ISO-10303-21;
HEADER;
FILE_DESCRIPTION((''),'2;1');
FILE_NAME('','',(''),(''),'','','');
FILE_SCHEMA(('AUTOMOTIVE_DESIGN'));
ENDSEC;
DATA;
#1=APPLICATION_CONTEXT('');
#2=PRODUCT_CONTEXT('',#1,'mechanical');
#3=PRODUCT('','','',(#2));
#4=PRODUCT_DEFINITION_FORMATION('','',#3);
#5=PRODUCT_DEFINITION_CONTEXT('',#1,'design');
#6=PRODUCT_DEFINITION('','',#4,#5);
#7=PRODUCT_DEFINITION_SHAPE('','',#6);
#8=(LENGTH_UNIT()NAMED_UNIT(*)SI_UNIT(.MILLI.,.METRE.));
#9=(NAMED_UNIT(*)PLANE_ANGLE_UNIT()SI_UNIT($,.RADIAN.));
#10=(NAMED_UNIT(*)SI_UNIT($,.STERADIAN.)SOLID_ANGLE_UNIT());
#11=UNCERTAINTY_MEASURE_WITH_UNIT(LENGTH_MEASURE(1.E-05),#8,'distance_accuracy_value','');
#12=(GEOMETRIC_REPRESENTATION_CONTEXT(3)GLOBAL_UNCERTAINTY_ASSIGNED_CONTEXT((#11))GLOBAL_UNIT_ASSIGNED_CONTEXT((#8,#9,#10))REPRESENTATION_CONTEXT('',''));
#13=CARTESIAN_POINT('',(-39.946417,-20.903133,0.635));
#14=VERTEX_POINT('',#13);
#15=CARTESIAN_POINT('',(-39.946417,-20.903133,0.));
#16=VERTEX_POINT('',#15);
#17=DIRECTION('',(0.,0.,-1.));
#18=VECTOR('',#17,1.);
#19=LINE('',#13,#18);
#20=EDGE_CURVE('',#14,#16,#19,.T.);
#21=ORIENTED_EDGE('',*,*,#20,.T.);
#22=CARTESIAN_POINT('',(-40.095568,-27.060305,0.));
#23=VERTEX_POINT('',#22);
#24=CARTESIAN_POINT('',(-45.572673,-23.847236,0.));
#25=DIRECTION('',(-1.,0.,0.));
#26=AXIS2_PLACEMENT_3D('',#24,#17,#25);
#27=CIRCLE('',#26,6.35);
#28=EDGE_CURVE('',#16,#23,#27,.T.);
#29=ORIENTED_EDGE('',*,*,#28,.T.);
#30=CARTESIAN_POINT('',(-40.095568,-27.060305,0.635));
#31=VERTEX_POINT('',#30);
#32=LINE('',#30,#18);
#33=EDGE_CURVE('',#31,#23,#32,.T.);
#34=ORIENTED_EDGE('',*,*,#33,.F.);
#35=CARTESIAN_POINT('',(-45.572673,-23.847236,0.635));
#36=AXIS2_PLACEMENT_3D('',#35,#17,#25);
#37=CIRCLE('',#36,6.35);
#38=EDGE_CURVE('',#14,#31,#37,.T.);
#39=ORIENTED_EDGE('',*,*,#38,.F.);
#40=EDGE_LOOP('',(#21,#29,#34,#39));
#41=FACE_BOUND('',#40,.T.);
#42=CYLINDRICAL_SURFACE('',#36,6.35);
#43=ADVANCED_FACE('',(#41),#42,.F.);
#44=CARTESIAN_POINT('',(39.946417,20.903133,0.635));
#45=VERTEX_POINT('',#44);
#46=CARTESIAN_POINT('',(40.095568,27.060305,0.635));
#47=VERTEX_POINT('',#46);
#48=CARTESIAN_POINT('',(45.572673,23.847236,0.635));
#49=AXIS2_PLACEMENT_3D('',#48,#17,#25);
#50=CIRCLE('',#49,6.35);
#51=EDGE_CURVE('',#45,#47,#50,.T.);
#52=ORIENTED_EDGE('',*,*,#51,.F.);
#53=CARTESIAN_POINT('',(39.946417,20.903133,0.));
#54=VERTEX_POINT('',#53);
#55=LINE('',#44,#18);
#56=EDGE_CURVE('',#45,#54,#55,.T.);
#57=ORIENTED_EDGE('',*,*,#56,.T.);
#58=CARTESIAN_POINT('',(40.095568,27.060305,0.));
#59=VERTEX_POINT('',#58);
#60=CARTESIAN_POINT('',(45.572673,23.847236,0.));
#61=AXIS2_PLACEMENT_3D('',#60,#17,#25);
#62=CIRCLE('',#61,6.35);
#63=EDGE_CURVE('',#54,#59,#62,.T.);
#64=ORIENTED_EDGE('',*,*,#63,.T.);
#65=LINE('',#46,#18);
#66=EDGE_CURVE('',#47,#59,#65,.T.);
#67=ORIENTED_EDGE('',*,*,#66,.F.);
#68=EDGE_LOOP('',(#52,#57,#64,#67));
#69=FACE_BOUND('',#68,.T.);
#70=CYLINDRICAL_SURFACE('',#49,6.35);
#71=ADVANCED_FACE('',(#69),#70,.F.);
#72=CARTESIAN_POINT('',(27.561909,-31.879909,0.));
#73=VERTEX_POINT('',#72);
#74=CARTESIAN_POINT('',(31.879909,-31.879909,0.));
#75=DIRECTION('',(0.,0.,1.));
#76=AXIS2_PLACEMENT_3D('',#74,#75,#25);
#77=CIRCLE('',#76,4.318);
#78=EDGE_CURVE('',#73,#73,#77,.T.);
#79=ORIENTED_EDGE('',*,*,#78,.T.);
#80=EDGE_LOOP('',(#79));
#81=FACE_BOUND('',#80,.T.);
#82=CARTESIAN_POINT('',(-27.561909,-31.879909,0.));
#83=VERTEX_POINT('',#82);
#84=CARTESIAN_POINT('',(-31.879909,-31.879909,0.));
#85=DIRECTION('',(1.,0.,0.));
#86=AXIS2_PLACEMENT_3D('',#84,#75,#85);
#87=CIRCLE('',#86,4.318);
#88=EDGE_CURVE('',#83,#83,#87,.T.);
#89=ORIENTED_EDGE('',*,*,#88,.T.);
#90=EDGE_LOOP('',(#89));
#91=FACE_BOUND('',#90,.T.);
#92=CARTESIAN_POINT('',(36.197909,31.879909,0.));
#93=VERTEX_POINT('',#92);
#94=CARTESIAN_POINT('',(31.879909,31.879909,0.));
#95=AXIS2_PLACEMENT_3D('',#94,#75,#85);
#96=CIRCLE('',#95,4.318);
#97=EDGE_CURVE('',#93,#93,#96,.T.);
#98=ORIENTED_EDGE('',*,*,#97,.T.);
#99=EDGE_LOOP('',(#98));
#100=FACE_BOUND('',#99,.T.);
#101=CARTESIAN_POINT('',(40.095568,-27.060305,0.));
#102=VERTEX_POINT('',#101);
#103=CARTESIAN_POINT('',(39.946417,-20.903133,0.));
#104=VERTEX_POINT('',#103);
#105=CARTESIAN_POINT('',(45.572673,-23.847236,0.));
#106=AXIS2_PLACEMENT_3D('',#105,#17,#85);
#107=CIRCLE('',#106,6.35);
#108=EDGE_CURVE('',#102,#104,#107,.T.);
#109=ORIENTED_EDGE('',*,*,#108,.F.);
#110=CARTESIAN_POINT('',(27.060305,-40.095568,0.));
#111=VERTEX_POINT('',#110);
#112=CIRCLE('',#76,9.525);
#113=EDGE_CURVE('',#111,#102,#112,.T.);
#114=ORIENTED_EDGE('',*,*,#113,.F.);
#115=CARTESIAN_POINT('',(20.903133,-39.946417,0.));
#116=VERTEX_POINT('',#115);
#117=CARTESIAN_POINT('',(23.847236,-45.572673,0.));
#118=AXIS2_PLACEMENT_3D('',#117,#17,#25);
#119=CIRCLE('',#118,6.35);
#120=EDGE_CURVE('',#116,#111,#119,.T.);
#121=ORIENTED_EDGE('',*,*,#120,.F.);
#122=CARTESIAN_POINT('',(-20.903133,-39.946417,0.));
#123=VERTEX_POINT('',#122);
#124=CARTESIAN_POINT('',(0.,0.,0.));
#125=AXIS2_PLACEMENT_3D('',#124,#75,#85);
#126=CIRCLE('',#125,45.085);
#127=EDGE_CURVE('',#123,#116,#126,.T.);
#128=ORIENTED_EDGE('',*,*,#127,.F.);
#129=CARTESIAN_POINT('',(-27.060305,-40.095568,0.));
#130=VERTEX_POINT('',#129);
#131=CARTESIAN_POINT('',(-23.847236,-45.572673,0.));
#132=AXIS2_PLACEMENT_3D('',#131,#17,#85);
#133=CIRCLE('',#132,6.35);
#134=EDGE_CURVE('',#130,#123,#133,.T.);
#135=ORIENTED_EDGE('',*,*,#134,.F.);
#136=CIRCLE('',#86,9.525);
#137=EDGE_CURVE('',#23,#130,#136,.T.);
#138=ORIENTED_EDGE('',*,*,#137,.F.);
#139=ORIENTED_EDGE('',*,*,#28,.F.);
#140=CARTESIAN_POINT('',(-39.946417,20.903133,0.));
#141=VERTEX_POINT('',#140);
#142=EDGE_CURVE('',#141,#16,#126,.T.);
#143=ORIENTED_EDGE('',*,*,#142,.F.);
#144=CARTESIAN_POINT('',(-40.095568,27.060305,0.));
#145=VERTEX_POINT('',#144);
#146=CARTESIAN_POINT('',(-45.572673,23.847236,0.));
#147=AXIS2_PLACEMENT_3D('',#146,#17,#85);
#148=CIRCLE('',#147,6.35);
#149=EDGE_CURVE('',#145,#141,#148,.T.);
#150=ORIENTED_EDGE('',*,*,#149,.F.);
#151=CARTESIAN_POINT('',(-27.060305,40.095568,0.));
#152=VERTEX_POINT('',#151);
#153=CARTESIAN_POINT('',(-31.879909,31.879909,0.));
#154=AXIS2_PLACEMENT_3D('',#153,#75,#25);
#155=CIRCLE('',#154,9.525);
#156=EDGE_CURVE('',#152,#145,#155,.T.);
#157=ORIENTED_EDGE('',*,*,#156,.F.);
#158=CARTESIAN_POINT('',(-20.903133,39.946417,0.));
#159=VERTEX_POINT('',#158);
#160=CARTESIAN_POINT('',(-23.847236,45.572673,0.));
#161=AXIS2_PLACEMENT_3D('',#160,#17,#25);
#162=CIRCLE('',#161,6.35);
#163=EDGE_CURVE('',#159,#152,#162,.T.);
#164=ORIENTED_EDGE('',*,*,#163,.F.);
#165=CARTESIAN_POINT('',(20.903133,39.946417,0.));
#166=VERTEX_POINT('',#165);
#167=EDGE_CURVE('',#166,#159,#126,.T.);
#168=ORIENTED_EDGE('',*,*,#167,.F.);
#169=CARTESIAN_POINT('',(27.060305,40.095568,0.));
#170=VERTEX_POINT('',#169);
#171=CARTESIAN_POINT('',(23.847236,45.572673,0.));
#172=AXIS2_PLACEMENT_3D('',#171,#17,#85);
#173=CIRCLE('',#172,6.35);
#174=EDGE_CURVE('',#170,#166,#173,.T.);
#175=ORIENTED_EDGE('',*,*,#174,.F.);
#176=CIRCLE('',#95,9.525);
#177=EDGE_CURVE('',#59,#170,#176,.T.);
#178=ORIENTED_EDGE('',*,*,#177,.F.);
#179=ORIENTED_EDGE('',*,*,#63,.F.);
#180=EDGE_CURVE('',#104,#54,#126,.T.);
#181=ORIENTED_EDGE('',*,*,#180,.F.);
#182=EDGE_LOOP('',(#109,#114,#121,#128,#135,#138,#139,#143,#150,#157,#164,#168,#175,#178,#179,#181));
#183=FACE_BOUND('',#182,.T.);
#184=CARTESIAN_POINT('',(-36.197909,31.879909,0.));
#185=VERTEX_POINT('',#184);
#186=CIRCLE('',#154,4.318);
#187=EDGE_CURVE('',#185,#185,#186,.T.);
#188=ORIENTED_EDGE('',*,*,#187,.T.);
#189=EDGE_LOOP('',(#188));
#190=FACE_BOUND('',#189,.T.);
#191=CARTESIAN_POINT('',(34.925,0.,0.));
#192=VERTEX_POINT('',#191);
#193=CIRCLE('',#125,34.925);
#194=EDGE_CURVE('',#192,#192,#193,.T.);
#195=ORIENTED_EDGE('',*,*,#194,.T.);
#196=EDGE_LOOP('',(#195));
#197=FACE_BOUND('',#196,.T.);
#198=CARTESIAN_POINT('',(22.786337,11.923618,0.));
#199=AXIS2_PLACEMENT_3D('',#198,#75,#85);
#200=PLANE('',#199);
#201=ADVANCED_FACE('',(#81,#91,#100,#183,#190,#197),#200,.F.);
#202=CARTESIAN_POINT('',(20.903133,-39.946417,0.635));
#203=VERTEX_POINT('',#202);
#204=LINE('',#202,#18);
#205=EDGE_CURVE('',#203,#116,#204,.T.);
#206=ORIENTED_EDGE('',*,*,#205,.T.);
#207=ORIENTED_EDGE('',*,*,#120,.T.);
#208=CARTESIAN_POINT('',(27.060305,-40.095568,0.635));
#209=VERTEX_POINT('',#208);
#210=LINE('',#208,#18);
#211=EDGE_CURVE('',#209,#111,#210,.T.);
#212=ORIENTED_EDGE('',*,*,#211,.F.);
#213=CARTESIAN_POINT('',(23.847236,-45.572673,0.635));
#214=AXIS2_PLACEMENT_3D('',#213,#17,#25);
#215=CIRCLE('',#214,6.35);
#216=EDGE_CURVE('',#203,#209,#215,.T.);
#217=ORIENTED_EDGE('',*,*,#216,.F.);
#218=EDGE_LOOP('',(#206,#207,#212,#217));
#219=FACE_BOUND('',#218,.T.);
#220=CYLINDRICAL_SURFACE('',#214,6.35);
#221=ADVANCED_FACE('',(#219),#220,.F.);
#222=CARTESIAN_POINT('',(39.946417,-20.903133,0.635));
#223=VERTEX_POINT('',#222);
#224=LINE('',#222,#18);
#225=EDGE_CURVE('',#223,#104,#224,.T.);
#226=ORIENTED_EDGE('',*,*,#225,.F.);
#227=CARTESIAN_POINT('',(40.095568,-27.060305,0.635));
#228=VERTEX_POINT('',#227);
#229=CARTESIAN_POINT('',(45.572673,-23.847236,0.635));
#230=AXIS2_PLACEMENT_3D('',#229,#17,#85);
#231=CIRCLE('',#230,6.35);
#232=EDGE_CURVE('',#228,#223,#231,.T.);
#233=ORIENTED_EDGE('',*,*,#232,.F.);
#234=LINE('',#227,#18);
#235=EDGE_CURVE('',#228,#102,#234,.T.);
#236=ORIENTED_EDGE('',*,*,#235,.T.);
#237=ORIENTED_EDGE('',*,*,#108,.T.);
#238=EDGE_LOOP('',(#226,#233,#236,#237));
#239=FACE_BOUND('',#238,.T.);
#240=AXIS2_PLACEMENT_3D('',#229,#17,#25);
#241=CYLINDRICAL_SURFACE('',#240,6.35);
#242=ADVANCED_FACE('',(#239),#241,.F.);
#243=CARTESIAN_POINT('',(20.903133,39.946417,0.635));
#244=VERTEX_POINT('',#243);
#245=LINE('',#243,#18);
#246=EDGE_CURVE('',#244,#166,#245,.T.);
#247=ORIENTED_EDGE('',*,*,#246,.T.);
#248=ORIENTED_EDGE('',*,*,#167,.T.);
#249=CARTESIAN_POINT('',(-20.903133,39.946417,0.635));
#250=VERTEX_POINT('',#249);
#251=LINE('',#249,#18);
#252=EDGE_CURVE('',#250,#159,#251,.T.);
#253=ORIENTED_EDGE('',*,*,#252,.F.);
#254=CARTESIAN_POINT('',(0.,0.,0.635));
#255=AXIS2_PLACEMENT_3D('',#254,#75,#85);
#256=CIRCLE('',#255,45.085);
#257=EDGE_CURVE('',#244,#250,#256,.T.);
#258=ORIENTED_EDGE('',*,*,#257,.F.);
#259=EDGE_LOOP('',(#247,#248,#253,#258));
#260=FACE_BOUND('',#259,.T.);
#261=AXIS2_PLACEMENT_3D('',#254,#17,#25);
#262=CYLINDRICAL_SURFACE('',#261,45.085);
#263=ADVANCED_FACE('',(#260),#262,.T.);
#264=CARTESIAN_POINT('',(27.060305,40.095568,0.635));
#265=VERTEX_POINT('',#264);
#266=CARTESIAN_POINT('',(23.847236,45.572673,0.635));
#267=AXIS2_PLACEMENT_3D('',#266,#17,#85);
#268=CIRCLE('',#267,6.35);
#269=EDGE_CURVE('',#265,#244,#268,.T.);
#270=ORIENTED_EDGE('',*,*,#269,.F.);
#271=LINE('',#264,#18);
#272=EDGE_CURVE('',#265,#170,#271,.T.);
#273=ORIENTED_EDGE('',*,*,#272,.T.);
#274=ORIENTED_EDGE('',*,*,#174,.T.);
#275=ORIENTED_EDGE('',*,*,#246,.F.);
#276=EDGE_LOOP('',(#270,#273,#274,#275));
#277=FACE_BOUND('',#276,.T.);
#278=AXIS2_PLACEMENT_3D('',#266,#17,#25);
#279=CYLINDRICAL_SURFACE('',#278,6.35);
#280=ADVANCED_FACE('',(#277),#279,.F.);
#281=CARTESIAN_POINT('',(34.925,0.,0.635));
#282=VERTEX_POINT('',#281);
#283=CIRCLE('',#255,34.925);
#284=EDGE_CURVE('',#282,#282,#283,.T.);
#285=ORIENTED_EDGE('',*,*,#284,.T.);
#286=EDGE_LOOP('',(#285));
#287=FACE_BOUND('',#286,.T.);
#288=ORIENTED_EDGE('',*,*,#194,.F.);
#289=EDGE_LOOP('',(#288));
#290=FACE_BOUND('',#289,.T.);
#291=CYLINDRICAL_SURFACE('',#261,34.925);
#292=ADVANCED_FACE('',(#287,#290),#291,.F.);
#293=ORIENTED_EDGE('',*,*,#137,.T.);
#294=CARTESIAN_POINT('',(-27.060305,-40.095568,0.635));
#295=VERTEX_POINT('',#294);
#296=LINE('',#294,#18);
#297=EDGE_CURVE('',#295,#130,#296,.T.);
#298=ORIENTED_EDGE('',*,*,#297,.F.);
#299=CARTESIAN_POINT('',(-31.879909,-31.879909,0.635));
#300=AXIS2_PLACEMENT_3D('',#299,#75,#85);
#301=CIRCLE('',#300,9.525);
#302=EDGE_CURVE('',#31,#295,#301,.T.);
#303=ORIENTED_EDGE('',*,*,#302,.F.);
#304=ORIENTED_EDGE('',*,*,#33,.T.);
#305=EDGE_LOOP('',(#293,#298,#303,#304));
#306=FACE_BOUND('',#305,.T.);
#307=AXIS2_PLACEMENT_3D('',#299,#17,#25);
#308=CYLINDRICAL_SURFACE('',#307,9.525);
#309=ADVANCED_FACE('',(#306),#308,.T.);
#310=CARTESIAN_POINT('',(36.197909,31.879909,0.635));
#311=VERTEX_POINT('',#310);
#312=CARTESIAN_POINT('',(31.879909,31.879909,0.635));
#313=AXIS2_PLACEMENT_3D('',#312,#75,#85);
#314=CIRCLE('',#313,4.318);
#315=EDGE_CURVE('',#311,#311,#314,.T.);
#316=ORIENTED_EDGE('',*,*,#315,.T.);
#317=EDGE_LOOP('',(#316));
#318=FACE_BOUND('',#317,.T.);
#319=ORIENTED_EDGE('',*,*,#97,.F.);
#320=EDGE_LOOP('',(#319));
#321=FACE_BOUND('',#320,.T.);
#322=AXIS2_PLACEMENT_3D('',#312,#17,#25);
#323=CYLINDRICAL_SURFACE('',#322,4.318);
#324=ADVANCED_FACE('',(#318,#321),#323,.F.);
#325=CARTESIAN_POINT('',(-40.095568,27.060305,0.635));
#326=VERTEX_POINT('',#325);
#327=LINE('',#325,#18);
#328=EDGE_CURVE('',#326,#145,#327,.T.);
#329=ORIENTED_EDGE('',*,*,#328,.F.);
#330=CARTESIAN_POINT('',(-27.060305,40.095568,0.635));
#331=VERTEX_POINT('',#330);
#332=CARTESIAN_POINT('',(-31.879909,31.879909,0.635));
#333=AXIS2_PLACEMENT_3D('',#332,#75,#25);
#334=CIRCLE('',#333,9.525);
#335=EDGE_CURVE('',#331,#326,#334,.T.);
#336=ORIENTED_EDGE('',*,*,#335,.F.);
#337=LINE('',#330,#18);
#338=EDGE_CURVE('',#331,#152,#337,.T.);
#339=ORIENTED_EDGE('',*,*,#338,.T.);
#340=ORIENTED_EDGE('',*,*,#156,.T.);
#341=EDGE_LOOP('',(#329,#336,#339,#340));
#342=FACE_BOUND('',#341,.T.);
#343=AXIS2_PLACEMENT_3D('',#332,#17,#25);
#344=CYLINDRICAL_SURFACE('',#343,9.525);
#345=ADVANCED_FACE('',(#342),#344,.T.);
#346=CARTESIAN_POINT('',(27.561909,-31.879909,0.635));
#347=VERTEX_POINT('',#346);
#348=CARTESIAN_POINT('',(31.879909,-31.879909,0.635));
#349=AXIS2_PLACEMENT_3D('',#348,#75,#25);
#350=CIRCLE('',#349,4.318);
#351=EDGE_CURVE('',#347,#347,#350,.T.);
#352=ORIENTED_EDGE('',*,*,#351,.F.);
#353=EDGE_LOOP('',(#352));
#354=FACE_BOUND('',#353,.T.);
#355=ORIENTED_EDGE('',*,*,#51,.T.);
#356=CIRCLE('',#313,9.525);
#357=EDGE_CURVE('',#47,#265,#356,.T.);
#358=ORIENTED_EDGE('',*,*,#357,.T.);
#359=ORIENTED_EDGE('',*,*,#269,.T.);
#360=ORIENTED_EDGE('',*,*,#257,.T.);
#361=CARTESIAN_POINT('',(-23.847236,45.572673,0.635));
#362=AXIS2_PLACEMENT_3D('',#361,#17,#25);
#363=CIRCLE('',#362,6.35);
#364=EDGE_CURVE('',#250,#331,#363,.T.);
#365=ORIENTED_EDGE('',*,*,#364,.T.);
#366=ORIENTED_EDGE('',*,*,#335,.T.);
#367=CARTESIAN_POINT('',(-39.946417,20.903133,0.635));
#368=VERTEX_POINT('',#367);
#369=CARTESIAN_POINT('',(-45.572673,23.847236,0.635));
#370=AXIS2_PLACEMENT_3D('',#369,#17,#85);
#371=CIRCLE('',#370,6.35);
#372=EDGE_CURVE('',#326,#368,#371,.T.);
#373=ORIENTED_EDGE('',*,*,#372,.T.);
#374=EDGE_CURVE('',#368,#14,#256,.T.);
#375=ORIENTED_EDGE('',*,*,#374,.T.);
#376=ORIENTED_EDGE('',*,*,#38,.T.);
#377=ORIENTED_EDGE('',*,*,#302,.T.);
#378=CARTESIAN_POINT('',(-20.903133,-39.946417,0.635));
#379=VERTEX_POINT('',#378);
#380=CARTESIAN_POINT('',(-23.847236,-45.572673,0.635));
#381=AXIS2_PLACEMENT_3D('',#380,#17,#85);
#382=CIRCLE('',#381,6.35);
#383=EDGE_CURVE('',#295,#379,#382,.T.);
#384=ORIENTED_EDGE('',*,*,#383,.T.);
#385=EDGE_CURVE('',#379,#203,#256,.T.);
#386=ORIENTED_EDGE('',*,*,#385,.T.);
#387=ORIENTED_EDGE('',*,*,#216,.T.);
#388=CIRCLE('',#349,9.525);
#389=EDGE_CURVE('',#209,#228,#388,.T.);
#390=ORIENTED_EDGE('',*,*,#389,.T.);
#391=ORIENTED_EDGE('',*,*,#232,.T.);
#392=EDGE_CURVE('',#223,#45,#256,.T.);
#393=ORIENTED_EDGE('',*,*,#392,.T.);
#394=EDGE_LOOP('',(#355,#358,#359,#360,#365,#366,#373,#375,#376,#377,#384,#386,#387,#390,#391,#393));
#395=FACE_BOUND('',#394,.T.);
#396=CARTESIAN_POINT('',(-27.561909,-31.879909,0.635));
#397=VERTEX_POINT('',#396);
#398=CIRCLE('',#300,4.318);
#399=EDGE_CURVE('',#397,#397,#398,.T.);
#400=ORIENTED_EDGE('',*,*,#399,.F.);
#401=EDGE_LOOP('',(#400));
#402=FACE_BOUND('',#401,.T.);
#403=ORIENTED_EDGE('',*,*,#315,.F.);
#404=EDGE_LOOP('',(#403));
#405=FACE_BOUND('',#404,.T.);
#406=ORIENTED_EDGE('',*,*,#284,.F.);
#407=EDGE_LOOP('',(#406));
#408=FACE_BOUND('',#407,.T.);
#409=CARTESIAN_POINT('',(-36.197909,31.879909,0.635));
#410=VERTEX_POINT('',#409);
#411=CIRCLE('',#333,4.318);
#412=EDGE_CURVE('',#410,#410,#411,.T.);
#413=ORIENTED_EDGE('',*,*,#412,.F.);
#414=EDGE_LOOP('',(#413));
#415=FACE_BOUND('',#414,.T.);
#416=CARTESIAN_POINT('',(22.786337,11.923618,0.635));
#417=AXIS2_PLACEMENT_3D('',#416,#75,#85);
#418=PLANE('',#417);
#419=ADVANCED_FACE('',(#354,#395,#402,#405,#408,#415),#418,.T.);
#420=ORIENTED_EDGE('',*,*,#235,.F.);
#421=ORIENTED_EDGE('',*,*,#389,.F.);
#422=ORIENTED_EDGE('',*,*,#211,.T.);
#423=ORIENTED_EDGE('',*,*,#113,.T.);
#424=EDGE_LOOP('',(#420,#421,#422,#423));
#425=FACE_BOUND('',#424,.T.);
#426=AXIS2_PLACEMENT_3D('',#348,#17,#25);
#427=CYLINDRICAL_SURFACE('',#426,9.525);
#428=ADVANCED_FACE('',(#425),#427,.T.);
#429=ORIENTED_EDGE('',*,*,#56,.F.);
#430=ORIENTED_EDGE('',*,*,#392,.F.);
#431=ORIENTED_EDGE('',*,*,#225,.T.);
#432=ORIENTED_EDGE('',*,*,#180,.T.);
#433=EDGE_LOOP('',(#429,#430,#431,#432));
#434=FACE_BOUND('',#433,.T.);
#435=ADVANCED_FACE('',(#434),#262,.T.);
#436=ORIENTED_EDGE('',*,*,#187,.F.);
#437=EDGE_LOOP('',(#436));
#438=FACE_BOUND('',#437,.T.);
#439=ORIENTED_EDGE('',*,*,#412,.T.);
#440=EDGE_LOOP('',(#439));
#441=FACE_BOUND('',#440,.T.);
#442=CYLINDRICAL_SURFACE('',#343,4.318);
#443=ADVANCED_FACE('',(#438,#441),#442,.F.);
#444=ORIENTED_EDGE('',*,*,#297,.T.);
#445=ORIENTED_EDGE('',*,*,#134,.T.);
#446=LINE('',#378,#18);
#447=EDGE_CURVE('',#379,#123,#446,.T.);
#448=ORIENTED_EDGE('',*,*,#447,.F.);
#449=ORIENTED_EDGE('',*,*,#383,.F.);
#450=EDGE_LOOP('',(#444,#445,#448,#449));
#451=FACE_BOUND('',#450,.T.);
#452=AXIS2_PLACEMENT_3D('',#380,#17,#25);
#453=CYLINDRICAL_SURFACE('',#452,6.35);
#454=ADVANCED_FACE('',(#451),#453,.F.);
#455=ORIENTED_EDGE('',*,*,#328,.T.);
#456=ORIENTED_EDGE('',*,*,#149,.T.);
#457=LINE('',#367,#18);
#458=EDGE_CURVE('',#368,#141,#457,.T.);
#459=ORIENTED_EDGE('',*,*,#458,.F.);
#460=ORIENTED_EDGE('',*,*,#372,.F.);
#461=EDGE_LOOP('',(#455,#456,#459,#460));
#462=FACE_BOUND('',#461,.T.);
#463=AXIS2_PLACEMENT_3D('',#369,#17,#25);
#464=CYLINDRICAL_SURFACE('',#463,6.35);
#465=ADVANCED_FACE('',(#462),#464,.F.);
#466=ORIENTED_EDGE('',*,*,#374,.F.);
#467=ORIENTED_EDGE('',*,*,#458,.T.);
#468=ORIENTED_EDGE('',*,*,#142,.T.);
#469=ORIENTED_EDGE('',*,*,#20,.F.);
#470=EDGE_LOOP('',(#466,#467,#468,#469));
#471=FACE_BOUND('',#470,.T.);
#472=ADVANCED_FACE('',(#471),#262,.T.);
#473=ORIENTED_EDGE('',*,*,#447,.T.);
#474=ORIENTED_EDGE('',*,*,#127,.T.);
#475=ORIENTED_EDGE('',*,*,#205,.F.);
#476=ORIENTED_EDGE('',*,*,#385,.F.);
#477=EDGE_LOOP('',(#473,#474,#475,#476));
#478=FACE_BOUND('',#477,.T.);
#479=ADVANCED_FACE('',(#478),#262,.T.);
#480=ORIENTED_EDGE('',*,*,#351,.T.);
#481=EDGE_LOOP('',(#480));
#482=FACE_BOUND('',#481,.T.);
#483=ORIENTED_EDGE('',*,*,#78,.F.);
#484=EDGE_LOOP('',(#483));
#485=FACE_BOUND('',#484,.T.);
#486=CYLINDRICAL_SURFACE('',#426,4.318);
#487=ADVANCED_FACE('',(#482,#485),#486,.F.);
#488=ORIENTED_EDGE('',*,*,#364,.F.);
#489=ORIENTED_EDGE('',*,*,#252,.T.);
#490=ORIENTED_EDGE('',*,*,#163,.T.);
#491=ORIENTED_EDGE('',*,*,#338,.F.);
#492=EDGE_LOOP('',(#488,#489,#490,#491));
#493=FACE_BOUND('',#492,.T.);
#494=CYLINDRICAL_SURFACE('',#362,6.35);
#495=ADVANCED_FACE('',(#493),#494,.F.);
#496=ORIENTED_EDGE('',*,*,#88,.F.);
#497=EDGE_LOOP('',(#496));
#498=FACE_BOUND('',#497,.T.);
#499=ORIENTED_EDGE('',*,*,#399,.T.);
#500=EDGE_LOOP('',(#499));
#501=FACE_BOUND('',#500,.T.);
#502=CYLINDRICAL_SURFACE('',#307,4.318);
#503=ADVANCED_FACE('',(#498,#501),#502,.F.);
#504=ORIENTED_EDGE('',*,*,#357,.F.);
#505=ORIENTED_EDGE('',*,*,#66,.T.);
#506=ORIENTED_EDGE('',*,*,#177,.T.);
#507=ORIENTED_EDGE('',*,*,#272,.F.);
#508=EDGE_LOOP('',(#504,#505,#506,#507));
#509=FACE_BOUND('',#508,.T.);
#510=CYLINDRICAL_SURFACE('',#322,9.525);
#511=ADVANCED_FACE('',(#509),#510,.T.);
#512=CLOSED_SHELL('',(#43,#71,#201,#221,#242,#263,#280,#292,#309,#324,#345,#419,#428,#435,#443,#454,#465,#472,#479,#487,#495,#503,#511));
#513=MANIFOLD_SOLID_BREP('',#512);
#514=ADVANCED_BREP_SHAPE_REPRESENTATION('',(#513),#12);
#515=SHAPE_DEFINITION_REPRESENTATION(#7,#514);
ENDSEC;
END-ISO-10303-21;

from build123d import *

# Parameters (mm, degrees)
SKETCH1_R           = 34.925
SKETCH1_R_2         = 4.318
BOSS_EXTRUDE1_DEPTH = 0.635


with BuildPart() as part:
    # Sketch1 → Boss-Extrude1 (new body)
    with BuildSketch(Plane.XY):
        with BuildLine():
            ThreePointArc((20.903132924, 39.946417348), (0, 45.085), (-20.903132924, 39.946417348))
            ThreePointArc((-20.903132924, 39.946417348), (-24.001012396, 39.224535565), (-27.060305383, 40.09556768))
            ThreePointArc((-27.060305383, 40.09556768), (-38.615101321, 38.615101321), (-40.09556768, 27.060305383))
            ThreePointArc((-40.09556768, 27.060305383), (-39.224535565, 24.001012396), (-39.946417348, 20.903132924))
            ThreePointArc((-39.946417348, 20.903132924), (-45.085, 0), (-39.946417348, -20.903132924))
            ThreePointArc((-39.946417348, -20.903132924), (-39.224535565, -24.001012396), (-40.09556768, -27.060305383))
            ThreePointArc((-40.09556768, -27.060305383), (-38.615101321, -38.615101321), (-27.060305383, -40.09556768))
            ThreePointArc((-27.060305383, -40.09556768), (-24.001012396, -39.224535565), (-20.903132924, -39.946417348))
            ThreePointArc((-20.903132924, -39.946417348), (0, -45.085), (20.903132924, -39.946417348))
            ThreePointArc((20.903132924, -39.946417348), (24.001012396, -39.224535565), (27.060305383, -40.09556768))
            ThreePointArc((27.060305383, -40.09556768), (38.615101321, -38.615101321), (40.09556768, -27.060305383))
            ThreePointArc((40.09556768, -27.060305383), (39.224535565, -24.001012396), (39.946417348, -20.903132924))
            ThreePointArc((39.946417348, -20.903132924), (45.085, 0), (39.946417348, 20.903132924))
            ThreePointArc((39.946417348, 20.903132924), (39.224535565, 24.001012396), (40.09556768, 27.060305383))
            ThreePointArc((40.09556768, 27.060305383), (38.615101321, 38.615101321), (27.060305383, 40.09556768))
            ThreePointArc((27.060305383, 40.09556768), (24.001012396, 39.224535565), (20.903132924, 39.946417348))
        make_face()
        Circle(SKETCH1_R, mode=Mode.SUBTRACT)
        with Locations((31.87990923, 31.87990923)):
            Circle(SKETCH1_R_2, mode=Mode.SUBTRACT)
        with Locations((31.87990923, -31.87990923)):
            Circle(SKETCH1_R_2, mode=Mode.SUBTRACT)
        with Locations((-31.87990923, -31.87990923)):
            Circle(SKETCH1_R_2, mode=Mode.SUBTRACT)
        with Locations((-31.87990923, 31.87990923)):
            Circle(SKETCH1_R_2, mode=Mode.SUBTRACT)
    extrude(amount=BOSS_EXTRUDE1_DEPTH)


solid = part.part
